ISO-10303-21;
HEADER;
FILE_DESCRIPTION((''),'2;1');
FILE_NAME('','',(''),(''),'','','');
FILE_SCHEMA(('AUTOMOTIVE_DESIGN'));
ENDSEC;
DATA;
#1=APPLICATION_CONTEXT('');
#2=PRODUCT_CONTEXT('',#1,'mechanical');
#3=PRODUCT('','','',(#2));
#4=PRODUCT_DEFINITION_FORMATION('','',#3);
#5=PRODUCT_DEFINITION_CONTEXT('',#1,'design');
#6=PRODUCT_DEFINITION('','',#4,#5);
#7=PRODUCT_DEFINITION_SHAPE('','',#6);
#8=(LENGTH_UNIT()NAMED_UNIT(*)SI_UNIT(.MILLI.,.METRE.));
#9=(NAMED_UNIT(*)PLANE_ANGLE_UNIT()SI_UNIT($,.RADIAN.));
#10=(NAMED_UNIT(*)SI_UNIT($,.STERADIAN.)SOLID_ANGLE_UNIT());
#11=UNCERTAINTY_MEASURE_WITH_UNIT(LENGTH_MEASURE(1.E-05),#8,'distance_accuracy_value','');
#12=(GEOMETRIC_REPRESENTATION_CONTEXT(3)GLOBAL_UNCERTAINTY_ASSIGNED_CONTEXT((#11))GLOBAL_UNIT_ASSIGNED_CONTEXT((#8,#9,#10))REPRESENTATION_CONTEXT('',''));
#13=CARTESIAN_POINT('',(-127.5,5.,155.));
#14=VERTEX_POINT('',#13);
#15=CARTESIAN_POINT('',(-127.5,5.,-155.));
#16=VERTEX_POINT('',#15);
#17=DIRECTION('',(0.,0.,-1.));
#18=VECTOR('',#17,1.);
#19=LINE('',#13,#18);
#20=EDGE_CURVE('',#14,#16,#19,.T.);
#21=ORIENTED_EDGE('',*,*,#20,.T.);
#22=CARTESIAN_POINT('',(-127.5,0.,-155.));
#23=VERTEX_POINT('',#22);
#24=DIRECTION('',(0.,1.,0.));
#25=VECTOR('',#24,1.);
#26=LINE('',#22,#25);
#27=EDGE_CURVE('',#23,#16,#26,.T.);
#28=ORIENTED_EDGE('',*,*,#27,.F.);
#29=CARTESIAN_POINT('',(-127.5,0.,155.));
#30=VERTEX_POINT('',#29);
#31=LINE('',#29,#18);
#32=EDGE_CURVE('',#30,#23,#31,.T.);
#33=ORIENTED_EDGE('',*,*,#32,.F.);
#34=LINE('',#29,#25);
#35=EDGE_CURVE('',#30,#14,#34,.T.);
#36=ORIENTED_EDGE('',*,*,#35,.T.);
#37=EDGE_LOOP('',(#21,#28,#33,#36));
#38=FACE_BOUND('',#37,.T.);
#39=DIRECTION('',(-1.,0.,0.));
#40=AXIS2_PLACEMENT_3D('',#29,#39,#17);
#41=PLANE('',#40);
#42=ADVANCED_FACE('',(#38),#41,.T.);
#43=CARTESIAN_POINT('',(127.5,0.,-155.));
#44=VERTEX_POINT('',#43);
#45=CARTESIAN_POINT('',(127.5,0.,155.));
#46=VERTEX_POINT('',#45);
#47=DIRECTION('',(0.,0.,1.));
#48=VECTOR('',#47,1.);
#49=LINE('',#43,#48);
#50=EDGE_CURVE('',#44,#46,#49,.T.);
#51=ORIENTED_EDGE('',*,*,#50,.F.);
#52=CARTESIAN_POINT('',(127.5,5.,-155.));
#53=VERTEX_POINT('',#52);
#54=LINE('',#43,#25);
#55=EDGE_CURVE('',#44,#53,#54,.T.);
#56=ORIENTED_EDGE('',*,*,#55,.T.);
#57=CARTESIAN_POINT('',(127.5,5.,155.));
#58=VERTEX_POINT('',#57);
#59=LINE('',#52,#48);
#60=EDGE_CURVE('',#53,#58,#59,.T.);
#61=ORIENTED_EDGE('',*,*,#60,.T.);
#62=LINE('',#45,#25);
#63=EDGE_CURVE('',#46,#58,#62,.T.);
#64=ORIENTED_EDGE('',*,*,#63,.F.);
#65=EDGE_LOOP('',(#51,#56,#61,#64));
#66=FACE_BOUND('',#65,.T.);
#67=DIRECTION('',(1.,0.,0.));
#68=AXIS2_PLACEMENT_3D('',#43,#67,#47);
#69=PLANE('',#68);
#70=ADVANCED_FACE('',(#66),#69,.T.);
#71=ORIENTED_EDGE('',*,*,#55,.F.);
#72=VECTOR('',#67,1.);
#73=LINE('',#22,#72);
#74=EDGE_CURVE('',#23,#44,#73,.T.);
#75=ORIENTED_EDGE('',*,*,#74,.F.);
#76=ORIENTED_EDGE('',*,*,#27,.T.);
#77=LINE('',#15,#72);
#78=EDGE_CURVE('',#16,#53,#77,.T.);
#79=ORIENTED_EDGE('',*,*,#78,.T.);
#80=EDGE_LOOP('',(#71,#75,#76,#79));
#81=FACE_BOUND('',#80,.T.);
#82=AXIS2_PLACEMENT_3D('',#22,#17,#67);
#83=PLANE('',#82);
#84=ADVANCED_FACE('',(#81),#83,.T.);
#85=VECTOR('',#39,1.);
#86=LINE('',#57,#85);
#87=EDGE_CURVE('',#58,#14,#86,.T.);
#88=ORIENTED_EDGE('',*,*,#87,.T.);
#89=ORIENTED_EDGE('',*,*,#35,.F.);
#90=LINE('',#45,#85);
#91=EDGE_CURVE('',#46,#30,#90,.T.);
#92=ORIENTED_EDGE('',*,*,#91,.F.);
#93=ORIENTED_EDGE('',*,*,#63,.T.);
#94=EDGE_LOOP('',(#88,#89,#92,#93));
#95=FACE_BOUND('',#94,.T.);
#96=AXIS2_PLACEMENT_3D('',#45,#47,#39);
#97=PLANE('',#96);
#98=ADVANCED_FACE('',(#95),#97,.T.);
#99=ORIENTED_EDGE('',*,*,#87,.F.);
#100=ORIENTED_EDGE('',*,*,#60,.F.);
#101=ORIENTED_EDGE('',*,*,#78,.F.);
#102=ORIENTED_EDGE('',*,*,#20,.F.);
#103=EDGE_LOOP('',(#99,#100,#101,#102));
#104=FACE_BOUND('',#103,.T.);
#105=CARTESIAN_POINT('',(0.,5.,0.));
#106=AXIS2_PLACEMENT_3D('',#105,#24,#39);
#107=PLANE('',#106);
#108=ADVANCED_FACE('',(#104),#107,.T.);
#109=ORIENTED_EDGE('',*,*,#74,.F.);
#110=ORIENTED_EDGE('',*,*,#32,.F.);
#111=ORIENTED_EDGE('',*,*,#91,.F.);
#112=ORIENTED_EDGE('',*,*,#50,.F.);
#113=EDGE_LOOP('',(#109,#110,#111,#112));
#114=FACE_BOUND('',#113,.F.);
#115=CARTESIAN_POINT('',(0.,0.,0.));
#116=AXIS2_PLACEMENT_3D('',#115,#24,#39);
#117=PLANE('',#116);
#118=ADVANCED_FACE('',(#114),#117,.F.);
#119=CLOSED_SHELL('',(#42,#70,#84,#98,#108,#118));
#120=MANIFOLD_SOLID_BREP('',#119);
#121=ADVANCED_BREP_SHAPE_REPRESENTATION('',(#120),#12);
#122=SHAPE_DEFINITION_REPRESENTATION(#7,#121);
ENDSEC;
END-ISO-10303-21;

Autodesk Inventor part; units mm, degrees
ref_plane "YZ Plane" through (0, 0, 0) normal (1, 0, 0) x (0, 1, 0)
ref_plane "XZ Plane" through (0, 0, 0) normal (0, 1, 0) x (-1, 0, 0)
ref_plane "XY Plane" through (0, 0, 0) normal (0, 0, 1) x (1, 0, 0)
sketch "Sketch1" plane through (0, 0, 0) normal (0, 1, 0) x (-1, 0, 0)
  line L0 (127.5, -155) -> (-127.5, -155)
  line L1 (-127.5, -155) -> (-127.5, 155)
  line L2 (-127.5, 155) -> (127.5, 155)
  line L3 (127.5, 155) -> (127.5, -155)
  line L4 (127.5, -155) -> (-127.5, 155) construction
  line L5 (-127.5, -155) -> (127.5, 155) construction
  point P0 (0, 0)
  dimension "d0" = 255
  dimension "d1" = 310
extrude "Extrusion1" add sketch "Sketch1" along normal blind 5
properties part number "base"
